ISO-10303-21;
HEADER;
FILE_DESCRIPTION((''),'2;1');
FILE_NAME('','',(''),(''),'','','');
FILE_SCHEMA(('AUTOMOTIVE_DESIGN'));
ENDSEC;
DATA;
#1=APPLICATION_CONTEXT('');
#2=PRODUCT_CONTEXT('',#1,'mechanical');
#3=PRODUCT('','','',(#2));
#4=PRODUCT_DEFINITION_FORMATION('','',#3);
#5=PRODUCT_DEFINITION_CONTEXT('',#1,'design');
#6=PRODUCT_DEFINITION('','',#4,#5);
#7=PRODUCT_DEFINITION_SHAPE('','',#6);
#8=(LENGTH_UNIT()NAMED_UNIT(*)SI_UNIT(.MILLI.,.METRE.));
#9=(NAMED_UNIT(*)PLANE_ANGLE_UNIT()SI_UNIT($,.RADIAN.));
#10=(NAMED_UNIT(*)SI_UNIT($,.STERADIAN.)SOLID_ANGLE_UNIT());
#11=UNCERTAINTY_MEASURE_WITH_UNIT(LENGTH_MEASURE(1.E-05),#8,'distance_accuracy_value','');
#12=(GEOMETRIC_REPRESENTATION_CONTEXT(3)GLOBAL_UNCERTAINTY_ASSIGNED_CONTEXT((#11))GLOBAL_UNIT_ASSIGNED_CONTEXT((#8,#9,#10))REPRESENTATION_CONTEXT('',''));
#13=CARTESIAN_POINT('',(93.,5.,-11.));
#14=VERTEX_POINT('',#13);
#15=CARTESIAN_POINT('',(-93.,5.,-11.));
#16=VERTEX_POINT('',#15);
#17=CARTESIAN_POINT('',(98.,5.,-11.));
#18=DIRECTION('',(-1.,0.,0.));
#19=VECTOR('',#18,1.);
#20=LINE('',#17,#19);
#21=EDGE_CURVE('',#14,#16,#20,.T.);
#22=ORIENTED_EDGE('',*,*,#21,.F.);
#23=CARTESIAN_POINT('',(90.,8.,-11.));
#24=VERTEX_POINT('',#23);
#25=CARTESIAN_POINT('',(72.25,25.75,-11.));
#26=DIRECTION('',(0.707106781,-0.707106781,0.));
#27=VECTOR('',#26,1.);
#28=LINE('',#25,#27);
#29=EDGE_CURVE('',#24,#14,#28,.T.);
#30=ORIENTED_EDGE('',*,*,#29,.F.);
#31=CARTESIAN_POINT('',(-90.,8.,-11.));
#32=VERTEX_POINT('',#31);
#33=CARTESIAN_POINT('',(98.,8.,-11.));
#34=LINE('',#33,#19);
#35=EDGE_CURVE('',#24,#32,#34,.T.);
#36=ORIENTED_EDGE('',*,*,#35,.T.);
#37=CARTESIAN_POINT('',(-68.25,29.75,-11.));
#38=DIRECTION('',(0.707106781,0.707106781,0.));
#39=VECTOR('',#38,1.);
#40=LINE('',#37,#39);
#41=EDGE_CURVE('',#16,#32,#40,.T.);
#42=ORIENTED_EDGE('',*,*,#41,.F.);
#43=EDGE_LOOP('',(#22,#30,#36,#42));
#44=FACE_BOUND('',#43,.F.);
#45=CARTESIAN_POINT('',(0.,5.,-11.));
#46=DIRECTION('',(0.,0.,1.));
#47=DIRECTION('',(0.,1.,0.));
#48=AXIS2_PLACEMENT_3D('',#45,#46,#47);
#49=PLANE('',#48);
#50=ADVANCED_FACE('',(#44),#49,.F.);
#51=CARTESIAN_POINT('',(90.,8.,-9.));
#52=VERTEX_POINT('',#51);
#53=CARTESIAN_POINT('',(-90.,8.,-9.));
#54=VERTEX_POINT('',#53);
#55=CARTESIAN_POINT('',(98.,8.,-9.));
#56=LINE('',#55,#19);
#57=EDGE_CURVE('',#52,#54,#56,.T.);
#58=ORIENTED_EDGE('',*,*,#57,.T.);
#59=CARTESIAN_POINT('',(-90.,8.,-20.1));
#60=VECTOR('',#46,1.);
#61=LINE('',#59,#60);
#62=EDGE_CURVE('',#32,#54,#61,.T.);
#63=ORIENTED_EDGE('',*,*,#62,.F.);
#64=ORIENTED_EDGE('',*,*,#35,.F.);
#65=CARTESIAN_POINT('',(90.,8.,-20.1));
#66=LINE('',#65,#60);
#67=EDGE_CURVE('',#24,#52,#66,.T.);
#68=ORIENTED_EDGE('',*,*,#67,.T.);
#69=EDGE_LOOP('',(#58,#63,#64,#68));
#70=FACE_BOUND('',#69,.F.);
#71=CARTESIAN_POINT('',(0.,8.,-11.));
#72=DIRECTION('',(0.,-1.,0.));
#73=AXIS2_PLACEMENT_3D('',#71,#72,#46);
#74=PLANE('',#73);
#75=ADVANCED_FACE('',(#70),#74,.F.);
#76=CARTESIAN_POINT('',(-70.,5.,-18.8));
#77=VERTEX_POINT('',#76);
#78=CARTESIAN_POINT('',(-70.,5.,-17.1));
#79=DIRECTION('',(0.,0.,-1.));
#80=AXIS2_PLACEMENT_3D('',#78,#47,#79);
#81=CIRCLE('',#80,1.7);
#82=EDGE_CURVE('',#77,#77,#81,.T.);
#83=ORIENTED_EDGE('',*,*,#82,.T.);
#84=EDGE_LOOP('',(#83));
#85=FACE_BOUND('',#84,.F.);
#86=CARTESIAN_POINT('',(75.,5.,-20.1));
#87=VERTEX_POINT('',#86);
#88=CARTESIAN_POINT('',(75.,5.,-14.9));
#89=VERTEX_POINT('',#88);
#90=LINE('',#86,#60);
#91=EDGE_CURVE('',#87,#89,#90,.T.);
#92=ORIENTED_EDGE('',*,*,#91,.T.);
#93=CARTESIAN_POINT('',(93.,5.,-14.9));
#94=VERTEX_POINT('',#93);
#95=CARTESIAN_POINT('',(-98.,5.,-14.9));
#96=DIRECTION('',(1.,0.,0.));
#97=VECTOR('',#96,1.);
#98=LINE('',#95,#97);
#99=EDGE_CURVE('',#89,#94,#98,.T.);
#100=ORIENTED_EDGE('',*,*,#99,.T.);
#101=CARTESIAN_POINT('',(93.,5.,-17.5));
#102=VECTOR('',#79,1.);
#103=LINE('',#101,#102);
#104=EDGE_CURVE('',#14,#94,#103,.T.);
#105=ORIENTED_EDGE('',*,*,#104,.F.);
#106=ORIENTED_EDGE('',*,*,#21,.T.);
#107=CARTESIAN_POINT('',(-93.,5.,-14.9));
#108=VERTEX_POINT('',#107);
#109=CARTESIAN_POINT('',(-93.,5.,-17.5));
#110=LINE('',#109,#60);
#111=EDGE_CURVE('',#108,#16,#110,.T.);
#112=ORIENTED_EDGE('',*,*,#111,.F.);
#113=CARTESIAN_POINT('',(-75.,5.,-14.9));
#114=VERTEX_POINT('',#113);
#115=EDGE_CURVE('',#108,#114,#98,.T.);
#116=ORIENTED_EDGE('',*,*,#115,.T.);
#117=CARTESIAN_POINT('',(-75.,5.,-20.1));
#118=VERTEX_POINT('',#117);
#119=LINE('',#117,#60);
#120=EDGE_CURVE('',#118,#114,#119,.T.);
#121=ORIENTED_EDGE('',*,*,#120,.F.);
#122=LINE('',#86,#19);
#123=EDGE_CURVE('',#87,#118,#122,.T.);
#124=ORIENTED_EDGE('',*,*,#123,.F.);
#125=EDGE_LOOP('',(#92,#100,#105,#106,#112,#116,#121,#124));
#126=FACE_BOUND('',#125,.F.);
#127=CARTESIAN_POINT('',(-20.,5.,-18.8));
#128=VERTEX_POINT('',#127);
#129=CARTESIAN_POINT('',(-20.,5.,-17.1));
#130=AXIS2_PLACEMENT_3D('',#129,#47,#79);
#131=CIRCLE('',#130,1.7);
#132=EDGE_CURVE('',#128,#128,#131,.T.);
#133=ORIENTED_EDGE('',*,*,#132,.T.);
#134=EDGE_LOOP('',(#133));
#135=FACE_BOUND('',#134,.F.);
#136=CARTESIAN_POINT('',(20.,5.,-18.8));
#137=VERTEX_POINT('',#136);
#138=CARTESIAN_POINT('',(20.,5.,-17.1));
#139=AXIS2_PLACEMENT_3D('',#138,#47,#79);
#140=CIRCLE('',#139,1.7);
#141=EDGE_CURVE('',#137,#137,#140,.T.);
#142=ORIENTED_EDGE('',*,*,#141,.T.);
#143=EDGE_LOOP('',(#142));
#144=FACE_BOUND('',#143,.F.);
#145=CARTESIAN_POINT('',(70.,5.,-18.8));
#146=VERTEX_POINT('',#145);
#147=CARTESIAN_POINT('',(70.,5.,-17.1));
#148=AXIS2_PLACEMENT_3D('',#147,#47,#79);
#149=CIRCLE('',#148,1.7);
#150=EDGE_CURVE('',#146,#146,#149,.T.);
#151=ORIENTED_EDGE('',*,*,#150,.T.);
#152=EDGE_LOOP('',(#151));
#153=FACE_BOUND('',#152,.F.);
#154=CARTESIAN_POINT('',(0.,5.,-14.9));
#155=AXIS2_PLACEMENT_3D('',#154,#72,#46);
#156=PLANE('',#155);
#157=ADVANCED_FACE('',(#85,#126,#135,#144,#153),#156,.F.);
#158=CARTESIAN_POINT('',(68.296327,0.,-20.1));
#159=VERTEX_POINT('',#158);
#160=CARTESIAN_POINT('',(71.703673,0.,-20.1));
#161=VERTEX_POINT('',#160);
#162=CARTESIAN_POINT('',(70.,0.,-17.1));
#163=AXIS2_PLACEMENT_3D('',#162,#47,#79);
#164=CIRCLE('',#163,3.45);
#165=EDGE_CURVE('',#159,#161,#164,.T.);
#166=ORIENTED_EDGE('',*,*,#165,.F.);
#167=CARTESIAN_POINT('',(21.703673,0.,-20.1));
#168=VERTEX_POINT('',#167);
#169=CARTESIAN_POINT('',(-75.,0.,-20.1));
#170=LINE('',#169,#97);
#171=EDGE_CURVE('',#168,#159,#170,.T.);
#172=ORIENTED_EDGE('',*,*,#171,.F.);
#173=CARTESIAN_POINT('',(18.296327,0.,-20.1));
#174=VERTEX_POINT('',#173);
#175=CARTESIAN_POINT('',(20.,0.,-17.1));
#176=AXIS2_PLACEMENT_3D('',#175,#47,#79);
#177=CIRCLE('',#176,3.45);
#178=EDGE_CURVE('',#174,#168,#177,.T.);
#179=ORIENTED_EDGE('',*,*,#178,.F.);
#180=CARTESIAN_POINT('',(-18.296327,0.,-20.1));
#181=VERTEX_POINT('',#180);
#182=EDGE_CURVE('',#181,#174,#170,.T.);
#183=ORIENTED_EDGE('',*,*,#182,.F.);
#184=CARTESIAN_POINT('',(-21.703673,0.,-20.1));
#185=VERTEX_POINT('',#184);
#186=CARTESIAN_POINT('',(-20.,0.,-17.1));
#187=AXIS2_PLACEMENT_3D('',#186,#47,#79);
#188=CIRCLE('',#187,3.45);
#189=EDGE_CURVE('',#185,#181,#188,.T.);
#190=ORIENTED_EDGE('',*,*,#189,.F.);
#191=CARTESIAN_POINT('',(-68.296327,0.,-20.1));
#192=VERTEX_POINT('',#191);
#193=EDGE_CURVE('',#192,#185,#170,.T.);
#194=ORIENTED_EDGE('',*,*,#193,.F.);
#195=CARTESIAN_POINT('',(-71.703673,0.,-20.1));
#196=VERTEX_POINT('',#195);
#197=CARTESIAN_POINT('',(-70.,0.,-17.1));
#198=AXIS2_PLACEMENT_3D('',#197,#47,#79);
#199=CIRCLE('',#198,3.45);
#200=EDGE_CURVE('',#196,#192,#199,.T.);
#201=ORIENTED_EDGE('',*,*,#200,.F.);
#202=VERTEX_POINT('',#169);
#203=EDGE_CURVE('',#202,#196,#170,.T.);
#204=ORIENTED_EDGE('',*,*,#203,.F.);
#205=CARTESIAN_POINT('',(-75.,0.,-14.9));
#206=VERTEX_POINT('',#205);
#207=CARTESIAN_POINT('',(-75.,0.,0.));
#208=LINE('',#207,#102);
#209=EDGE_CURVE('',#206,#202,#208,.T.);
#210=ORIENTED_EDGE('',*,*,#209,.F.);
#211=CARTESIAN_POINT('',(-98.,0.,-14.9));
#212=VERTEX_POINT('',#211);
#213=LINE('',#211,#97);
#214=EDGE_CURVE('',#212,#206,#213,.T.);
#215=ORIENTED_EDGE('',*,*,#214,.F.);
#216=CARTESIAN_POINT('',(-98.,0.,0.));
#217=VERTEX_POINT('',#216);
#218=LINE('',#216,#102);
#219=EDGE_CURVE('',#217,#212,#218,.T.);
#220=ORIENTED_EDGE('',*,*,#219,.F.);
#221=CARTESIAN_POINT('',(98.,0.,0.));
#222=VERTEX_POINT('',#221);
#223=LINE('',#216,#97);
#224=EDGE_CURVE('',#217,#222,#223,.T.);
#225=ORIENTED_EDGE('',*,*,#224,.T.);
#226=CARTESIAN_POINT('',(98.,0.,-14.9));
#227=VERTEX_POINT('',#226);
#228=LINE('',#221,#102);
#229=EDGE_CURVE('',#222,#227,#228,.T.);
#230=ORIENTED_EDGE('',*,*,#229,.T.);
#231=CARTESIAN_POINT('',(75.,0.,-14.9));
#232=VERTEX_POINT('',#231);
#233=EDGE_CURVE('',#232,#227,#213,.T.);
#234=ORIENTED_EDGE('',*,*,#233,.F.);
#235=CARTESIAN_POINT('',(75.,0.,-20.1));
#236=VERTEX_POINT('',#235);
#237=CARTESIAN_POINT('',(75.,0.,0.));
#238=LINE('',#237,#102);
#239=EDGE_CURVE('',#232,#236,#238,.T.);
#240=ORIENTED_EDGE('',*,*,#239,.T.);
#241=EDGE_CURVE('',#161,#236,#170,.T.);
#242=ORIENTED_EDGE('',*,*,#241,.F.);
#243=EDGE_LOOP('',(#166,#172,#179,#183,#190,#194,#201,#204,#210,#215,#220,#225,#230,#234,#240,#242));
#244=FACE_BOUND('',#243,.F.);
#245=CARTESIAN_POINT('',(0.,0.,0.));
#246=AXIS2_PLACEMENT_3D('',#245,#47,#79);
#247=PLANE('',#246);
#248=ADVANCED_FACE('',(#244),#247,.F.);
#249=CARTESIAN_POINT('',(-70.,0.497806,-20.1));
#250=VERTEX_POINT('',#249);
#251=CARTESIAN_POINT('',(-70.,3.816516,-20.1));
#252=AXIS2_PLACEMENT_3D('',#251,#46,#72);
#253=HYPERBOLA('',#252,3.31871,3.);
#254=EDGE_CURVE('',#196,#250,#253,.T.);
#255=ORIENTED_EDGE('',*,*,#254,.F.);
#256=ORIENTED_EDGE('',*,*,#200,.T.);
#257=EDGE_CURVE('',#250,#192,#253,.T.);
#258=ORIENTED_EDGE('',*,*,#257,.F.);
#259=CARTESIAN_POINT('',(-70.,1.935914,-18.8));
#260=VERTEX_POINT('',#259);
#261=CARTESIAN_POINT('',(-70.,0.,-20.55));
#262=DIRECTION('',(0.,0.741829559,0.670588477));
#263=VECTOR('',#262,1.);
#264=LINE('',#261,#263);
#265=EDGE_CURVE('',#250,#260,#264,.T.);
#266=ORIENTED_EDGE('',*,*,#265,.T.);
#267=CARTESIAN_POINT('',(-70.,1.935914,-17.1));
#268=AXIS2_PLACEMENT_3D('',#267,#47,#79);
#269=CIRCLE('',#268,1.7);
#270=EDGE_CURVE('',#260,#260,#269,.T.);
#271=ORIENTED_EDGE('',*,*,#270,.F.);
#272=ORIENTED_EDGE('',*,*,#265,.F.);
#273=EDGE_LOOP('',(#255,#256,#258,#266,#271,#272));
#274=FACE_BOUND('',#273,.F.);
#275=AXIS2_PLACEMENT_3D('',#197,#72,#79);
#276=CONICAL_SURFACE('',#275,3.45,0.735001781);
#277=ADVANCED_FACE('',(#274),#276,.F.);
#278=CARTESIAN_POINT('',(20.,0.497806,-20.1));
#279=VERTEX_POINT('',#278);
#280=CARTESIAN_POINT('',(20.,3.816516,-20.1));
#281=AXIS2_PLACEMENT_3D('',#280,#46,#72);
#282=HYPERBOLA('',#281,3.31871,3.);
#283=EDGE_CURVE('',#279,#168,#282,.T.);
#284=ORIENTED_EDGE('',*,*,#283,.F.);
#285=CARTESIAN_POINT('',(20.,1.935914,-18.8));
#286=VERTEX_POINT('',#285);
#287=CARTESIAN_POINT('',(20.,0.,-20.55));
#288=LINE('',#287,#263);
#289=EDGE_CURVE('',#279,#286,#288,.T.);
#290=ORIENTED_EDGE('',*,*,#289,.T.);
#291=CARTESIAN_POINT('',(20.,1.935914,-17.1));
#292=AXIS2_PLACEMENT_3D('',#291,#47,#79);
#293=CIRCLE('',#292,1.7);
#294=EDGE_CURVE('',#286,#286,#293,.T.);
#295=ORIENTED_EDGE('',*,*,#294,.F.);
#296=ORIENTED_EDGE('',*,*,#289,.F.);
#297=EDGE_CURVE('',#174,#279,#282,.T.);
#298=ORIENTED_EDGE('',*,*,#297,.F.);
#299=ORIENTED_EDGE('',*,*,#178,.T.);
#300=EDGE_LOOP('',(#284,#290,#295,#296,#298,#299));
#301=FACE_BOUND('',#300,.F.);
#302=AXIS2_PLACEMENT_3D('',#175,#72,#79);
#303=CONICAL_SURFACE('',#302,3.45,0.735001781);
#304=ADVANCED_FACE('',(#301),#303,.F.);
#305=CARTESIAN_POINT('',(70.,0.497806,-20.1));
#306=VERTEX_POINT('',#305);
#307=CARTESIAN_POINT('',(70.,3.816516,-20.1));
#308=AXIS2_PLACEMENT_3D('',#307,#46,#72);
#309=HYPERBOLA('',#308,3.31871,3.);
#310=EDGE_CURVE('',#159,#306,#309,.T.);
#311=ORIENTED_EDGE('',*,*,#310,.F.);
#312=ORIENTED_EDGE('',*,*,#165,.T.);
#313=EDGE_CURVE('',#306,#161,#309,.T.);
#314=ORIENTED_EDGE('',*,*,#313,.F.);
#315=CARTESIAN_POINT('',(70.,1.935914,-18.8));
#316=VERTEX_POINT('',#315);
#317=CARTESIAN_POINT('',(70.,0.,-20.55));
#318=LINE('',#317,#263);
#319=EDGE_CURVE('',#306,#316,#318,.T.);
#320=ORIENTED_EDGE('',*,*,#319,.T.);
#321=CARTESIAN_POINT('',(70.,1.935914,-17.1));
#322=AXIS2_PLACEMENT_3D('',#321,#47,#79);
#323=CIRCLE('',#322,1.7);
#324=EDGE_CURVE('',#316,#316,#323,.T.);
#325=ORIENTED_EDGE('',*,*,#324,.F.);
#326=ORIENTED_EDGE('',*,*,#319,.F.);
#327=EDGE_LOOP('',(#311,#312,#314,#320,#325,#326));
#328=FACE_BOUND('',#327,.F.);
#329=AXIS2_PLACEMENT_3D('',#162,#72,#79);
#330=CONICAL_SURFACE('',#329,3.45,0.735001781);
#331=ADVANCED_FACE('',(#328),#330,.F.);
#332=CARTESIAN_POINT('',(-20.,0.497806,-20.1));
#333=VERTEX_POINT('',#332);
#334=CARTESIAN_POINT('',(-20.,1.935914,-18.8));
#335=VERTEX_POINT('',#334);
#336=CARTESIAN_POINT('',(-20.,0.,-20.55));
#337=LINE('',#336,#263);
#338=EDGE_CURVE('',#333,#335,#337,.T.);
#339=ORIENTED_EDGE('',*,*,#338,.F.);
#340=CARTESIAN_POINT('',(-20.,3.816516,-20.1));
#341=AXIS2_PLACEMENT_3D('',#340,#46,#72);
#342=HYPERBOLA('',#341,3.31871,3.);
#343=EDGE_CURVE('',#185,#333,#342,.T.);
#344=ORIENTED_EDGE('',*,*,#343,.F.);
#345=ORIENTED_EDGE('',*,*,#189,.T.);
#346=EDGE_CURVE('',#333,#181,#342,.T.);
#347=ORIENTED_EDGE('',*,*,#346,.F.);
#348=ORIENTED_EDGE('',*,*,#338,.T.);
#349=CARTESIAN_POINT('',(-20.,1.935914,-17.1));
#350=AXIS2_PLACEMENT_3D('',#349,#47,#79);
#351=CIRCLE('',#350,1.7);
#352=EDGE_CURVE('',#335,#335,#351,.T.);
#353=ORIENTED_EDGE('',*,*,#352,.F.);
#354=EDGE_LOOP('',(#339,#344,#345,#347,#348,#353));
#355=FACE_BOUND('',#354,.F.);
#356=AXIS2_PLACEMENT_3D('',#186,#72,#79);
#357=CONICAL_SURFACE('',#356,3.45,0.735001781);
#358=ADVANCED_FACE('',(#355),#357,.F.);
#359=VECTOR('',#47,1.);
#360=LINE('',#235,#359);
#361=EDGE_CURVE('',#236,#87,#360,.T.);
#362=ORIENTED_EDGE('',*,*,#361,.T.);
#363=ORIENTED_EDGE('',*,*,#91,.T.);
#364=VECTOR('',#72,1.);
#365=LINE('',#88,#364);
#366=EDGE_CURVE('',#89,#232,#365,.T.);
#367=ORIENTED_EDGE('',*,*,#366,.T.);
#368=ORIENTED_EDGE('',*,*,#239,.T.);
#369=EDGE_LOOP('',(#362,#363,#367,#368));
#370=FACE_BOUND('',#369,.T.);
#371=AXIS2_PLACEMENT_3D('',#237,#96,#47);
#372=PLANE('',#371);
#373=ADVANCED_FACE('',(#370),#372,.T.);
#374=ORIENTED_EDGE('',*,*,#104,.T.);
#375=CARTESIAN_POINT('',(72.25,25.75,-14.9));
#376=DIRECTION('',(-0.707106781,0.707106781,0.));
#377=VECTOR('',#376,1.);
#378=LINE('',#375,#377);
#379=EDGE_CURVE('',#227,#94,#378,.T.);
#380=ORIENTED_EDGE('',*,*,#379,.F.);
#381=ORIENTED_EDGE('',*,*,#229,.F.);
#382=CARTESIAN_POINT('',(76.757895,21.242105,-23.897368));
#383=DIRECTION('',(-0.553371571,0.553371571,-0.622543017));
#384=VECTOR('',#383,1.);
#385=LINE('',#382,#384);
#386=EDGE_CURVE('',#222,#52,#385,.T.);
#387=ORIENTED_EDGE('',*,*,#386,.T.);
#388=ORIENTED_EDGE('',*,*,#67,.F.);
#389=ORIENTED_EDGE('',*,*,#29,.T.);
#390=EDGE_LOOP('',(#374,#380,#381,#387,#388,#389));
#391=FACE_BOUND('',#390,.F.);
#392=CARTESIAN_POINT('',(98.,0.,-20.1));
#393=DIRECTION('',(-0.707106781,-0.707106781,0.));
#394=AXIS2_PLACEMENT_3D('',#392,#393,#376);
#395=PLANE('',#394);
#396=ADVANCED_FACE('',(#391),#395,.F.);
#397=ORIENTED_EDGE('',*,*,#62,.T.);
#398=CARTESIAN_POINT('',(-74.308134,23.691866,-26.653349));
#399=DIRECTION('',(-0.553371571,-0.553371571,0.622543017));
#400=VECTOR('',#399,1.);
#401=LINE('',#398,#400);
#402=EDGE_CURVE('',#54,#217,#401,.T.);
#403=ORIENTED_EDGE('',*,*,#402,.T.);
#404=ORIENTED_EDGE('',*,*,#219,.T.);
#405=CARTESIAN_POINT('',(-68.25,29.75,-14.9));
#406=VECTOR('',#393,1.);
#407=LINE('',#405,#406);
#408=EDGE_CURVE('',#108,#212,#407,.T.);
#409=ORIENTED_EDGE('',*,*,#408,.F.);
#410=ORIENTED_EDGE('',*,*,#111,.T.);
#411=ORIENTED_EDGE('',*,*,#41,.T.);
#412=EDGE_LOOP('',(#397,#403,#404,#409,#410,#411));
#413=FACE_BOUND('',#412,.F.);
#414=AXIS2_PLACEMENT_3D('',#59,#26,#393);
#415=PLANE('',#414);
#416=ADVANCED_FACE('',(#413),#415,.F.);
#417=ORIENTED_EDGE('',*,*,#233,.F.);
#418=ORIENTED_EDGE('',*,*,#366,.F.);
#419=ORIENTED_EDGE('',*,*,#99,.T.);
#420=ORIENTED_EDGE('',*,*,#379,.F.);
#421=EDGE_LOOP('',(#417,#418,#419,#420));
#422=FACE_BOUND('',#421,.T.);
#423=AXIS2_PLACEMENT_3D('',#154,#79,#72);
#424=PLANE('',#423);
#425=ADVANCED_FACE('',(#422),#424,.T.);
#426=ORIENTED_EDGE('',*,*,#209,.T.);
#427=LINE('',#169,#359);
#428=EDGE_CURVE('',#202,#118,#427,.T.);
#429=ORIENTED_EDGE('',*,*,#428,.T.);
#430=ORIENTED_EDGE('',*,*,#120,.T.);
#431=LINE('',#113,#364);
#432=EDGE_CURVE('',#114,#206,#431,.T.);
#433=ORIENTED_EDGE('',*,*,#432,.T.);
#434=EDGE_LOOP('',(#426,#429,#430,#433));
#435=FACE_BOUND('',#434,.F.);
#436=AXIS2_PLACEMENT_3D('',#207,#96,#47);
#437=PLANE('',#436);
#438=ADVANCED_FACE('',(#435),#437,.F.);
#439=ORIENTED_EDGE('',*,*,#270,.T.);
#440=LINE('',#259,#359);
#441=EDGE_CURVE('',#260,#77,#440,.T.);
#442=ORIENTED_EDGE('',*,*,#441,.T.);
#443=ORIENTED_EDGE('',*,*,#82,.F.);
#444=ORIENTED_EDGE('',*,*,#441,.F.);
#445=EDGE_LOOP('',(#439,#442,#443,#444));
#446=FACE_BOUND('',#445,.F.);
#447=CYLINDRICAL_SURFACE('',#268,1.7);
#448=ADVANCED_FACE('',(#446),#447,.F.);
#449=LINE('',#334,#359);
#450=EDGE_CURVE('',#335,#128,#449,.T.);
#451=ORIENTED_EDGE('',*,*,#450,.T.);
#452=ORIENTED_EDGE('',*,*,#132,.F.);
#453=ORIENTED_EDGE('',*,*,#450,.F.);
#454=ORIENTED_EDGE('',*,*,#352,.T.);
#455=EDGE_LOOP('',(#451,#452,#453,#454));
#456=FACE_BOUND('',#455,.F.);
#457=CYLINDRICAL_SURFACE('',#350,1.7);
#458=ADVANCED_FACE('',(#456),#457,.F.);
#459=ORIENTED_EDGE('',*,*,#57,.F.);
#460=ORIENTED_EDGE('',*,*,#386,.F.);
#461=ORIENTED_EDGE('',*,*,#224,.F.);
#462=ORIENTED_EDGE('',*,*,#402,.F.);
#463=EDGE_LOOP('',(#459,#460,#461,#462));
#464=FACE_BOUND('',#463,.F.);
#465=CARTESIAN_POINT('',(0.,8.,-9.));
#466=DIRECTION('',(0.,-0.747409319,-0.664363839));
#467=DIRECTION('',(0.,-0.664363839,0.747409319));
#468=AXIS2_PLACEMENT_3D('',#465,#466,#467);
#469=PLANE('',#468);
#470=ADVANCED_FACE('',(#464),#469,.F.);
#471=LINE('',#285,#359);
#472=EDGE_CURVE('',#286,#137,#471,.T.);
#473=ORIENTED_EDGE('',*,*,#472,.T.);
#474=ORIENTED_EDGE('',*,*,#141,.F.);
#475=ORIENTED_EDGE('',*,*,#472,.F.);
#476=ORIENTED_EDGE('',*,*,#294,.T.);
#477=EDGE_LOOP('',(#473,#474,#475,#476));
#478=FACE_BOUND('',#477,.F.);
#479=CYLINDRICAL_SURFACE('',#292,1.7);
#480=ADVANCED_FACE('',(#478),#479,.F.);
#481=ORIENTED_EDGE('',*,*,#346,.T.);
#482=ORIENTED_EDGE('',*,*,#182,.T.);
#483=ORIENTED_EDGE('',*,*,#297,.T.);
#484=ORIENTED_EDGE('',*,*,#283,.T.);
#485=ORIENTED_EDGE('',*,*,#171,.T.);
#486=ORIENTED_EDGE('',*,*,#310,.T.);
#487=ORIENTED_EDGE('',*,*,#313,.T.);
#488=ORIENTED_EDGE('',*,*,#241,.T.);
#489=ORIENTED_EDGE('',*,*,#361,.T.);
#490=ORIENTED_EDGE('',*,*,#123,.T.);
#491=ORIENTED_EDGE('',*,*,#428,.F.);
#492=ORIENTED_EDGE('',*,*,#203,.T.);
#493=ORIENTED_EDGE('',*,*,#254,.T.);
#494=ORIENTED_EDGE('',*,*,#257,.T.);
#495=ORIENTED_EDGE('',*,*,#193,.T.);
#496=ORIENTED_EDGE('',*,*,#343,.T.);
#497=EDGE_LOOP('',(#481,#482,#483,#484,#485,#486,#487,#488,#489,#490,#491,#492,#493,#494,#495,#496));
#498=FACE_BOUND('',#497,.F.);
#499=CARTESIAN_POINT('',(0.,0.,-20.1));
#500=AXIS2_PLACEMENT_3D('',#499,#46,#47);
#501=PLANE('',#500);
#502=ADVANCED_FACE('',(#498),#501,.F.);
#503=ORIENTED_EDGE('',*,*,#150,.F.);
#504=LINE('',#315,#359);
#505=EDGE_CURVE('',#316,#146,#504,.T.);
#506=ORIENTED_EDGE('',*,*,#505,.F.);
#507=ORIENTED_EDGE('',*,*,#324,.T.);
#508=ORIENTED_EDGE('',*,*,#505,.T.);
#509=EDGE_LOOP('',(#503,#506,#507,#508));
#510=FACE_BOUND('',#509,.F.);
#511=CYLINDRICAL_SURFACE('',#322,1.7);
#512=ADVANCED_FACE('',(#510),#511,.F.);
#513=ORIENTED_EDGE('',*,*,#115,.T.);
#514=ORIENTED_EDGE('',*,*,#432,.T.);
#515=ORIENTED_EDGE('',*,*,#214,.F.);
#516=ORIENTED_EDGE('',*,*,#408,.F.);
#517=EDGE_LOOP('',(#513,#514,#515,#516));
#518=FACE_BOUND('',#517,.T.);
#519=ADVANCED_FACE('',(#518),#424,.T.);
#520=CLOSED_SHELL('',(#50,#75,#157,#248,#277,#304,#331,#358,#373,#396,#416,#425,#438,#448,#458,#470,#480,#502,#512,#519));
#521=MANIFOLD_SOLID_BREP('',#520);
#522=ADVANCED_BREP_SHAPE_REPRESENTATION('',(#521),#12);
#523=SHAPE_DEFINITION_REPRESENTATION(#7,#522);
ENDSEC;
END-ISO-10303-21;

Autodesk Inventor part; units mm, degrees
ref_plane "YZ Plane" through (0, 0, 0) normal (1, 0, 0) x (0, 1, 0)
ref_plane "XZ Plane" through (0, 0, 0) normal (0, 1, 0) x (-1, 0, 0)
ref_plane "XY Plane" through (0, 0, 0) normal (0, 0, 1) x (1, 0, 0)
sketch "Szkic1" plane through (0, 0, 0) normal (1, 0, 0) x (0, 1, 0)
  line L0 (0, 0) -> (0, -20.1)
  line L1 (0, -20.1) -> (8, -20.1)
  line L2 (8, -20.1) -> (8, -9)
  line L3 (8, -9) -> (0, 0)
  line L4 (8, -20.1) -> (5, -20.1)
  line L5 (5, -20.1) -> (5, -11)
  line L6 (5, -11) -> (8, -11)
  line L7 (8, -11) -> (8, -20.1)
  line L8 (5, -14.9) -> (0, -14.9)
  dimension "d0" = 20.1
  dimension "d2" = 8
  dimension "d4" = 3
  dimension "d5" = 5.2
  dimension "d25" = 11
  dimension "d26" = 2
extrude "Wyciągnięcie proste1" add sketch "Szkic1" along normal mid plane 196 contours L3 L2 L6 L5 L8 L0
extrude "Wyciągnięcie proste2" add sketch "Szkic1" along normal mid plane 150 contours L8 L5 L1 L0
sketch "Szkic3" plane through (-98, 0, 0) normal (0, -1, 0) x (1, 0, 0)
  line L0 (98, 0) -> (98, -20.1) construction
  line L1 (23, -20.1) -> (173, -20.1) construction
  point P0 (168, -17.1)
  point P1 (118, -17.1)
  point P2 (28, -17.1)
  point P3 (78, -17.1)
  dimension "d12" = 20
  dimension "d13" = 70
  dimension "d14" = 3
hole "Otwór1" at (70, 0, -17.1) at (20, 0, -17.1) at (-20, 0, -17.1) at (-70, 0, -17.1) direction (0, 1, 0) diameter 3.4 end through all countersink diameter 6.9 countersink angle 84.225 clearance for "Śruba ze łbem stożkowym ISO 2009/7046" size "M3" standard "ISO"
sketch "Szkic4" plane through (75, 5, -20.1) normal (0, 0, -1) x (-1, 0, 0)
  line L0 (-23, 3) -> (-23, -5) projected
  line L1 (-23, -5) -> (-15, 3)
  line L2 (-23, 3) -> (173, 3) construction
  line L3 (-23, 3) -> (-23, -5)
  line L4 (-23, -5) -> (173, -5) construction
  line L5 (173, -5) -> (173, 3)
  line L6 (173, 3) -> (165, 3)
  line L7 (165, 3) -> (173, -5)
  line L8 (-23, 3) -> (-15, 3)
  point P0 (75, -5)
  dimension "d22" = 45
extrude "Wyciągnięcie proste3" cut sketch "Szkic4" against normal through all
properties part number "PlogPiramida"
